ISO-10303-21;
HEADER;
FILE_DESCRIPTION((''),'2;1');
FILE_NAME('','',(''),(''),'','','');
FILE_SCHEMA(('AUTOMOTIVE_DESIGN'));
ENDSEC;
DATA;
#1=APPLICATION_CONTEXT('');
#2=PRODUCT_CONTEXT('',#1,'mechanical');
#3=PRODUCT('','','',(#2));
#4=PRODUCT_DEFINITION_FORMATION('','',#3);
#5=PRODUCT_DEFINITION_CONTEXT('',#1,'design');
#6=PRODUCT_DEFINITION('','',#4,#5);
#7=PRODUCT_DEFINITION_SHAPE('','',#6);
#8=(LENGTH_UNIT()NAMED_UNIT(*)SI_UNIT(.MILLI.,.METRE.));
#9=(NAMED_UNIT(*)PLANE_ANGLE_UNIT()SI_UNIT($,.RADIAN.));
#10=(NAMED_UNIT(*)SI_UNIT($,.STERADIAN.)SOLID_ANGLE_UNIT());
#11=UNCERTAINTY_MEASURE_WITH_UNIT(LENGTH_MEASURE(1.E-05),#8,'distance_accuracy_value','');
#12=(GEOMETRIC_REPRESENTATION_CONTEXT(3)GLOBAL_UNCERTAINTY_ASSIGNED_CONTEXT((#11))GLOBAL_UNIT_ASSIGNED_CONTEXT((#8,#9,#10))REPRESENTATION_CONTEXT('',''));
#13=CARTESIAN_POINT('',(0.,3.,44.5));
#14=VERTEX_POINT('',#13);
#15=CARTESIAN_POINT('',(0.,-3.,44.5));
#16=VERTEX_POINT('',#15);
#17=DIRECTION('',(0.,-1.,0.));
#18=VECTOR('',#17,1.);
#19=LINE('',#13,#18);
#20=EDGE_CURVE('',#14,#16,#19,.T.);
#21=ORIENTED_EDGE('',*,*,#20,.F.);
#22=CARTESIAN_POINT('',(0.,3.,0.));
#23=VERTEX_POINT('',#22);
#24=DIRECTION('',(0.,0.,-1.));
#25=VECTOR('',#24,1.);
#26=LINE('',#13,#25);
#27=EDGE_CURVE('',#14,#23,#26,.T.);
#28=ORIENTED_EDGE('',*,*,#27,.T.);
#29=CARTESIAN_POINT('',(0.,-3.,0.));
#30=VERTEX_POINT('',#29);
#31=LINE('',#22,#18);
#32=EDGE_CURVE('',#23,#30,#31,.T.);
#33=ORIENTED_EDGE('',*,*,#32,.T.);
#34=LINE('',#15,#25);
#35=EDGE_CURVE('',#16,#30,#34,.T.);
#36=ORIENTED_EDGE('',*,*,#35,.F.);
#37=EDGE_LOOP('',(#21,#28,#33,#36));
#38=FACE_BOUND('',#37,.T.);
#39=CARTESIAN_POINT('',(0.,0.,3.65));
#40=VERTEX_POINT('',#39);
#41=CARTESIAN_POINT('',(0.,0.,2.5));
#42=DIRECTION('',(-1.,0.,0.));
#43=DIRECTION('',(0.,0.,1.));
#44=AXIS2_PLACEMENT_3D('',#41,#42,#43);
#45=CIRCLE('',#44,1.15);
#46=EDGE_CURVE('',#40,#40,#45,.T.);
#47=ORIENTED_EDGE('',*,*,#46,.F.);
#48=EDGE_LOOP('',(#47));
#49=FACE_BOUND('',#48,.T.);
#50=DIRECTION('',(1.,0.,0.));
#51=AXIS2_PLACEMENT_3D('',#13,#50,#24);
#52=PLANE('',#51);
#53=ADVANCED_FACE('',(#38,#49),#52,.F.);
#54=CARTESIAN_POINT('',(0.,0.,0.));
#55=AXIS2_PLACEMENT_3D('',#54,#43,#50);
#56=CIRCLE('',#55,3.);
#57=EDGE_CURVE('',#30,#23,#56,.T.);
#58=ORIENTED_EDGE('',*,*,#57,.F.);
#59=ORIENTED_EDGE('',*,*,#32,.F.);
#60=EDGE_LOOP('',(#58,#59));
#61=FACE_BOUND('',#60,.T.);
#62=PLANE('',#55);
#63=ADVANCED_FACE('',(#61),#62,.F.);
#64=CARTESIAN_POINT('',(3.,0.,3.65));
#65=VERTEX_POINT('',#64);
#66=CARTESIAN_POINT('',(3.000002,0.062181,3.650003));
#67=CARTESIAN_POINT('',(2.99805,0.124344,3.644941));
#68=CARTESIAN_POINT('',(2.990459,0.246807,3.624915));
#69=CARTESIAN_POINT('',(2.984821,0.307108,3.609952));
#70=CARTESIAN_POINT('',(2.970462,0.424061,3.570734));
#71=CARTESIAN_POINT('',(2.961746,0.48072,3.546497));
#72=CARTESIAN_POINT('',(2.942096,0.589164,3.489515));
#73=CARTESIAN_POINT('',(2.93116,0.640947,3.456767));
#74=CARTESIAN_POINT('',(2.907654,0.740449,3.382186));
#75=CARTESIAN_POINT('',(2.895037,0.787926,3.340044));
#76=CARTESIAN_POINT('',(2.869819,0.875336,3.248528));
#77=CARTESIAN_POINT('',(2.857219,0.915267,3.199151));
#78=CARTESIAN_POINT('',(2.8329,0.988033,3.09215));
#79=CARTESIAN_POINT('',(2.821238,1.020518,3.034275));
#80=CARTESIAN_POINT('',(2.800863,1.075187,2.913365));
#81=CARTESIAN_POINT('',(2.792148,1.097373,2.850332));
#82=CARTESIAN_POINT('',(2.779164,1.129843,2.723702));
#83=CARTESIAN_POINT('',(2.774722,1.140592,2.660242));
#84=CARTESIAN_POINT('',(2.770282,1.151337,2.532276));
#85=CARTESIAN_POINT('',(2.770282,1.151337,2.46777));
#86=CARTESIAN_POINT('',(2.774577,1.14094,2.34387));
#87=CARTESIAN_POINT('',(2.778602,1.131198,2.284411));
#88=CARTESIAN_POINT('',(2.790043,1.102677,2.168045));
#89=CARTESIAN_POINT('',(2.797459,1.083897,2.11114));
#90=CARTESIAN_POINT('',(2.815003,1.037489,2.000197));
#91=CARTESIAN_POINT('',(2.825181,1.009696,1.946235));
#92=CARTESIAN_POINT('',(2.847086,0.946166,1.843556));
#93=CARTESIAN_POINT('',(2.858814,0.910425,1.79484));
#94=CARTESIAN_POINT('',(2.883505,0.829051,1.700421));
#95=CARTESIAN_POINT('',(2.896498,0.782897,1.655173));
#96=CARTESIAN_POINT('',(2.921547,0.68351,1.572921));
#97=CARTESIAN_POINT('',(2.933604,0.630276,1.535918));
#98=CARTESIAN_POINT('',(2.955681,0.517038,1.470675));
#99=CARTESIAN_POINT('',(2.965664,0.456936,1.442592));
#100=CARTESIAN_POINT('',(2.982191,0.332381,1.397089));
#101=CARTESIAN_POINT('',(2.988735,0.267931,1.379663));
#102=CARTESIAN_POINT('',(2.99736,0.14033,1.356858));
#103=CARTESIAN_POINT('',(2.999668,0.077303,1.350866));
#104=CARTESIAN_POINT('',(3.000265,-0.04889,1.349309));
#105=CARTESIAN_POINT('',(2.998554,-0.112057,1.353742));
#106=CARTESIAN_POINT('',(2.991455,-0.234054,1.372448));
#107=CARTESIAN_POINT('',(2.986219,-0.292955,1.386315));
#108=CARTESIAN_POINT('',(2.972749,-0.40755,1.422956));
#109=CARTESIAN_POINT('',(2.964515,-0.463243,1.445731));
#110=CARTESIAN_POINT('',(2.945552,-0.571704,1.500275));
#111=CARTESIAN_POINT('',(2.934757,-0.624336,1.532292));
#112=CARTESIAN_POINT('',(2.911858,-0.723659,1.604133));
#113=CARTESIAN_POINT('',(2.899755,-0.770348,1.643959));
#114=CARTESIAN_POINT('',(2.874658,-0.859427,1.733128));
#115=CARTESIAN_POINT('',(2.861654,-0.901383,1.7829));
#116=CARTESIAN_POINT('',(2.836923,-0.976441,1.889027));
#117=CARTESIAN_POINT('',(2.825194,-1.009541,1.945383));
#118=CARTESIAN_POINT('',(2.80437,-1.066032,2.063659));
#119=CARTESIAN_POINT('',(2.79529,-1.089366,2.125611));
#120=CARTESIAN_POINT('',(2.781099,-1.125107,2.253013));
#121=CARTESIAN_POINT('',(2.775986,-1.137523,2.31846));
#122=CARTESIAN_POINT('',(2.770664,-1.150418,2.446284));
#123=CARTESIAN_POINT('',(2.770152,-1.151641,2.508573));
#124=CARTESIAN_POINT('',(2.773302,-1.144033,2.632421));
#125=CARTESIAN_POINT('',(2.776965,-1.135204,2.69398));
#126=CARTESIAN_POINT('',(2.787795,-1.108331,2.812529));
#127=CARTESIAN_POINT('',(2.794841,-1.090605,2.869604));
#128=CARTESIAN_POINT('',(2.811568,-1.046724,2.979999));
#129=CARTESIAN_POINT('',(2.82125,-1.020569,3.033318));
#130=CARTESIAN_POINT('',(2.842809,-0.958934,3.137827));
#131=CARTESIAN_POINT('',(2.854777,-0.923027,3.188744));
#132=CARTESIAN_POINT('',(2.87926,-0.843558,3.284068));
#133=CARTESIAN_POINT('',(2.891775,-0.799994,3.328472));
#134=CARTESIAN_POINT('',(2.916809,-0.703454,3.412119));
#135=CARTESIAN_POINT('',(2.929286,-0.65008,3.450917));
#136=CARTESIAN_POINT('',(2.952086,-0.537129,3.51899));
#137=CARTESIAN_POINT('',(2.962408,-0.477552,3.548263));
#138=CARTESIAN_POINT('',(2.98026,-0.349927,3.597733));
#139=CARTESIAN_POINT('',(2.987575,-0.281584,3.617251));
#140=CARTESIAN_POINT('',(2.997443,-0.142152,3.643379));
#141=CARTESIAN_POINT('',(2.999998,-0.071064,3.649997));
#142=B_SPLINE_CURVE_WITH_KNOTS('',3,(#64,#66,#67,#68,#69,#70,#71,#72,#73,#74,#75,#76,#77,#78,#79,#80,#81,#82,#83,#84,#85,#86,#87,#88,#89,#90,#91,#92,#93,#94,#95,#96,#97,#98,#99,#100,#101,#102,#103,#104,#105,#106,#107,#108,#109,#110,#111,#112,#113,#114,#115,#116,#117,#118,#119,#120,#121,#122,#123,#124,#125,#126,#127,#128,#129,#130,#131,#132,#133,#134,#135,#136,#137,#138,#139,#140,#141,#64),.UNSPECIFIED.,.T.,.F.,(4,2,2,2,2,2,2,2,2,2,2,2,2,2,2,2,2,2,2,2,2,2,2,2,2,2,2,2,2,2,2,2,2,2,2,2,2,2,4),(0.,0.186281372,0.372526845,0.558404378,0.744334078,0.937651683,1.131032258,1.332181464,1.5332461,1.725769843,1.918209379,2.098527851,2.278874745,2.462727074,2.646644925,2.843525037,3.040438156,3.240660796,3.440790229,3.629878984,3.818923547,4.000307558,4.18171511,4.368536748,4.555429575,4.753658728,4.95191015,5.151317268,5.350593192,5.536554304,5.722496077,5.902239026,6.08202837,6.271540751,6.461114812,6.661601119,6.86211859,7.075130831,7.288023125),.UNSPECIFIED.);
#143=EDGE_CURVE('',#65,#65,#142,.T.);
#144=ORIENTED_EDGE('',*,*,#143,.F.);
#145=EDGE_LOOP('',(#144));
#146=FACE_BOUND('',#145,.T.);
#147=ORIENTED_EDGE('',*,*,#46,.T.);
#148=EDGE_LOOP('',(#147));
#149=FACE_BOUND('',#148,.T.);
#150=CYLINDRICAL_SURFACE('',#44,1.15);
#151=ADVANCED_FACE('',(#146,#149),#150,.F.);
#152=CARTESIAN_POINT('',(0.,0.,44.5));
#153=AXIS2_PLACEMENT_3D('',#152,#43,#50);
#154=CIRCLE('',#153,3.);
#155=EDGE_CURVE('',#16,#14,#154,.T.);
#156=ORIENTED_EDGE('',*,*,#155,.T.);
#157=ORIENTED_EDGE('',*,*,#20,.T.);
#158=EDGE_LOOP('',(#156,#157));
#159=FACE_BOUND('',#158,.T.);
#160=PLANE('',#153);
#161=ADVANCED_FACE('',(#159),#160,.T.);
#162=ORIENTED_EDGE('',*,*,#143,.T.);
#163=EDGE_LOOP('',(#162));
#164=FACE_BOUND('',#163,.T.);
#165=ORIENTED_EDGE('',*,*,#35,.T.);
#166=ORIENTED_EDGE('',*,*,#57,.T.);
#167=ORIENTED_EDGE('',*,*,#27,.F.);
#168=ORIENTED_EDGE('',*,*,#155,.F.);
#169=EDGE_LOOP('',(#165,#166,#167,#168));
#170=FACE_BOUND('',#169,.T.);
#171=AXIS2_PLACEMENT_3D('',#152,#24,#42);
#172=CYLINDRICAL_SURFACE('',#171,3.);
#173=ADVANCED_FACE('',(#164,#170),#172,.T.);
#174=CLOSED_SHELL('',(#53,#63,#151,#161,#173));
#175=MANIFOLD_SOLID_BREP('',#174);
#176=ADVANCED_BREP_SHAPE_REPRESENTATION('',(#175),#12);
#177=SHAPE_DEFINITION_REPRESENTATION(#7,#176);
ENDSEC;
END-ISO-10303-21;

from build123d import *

# Parameters (mm, degrees)
BOSS_EXTRU_1_DEPTH              = 44.5
DIAM_TRE_DU_PER_AGE_2_3_2_3_2_D = 2.3


with BuildPart() as part:
    # Esquisse2 → Boss.-Extru.1 (new body)
    with BuildSketch(Plane.XY):
        with BuildLine():
            Line((0, 3), (0, -3))
            ThreePointArc((0, -3), (3, 0), (0, 3))
        make_face()
    extrude(amount=BOSS_EXTRU_1_DEPTH)

    # Diamètre du perçage Ø2.3 (2.3)2 (through all)
    with Locations(Plane.ZY):
        with Locations((2.5, 0)):
            Hole(DIAM_TRE_DU_PER_AGE_2_3_2_3_2_D / 2)


solid = part.part
